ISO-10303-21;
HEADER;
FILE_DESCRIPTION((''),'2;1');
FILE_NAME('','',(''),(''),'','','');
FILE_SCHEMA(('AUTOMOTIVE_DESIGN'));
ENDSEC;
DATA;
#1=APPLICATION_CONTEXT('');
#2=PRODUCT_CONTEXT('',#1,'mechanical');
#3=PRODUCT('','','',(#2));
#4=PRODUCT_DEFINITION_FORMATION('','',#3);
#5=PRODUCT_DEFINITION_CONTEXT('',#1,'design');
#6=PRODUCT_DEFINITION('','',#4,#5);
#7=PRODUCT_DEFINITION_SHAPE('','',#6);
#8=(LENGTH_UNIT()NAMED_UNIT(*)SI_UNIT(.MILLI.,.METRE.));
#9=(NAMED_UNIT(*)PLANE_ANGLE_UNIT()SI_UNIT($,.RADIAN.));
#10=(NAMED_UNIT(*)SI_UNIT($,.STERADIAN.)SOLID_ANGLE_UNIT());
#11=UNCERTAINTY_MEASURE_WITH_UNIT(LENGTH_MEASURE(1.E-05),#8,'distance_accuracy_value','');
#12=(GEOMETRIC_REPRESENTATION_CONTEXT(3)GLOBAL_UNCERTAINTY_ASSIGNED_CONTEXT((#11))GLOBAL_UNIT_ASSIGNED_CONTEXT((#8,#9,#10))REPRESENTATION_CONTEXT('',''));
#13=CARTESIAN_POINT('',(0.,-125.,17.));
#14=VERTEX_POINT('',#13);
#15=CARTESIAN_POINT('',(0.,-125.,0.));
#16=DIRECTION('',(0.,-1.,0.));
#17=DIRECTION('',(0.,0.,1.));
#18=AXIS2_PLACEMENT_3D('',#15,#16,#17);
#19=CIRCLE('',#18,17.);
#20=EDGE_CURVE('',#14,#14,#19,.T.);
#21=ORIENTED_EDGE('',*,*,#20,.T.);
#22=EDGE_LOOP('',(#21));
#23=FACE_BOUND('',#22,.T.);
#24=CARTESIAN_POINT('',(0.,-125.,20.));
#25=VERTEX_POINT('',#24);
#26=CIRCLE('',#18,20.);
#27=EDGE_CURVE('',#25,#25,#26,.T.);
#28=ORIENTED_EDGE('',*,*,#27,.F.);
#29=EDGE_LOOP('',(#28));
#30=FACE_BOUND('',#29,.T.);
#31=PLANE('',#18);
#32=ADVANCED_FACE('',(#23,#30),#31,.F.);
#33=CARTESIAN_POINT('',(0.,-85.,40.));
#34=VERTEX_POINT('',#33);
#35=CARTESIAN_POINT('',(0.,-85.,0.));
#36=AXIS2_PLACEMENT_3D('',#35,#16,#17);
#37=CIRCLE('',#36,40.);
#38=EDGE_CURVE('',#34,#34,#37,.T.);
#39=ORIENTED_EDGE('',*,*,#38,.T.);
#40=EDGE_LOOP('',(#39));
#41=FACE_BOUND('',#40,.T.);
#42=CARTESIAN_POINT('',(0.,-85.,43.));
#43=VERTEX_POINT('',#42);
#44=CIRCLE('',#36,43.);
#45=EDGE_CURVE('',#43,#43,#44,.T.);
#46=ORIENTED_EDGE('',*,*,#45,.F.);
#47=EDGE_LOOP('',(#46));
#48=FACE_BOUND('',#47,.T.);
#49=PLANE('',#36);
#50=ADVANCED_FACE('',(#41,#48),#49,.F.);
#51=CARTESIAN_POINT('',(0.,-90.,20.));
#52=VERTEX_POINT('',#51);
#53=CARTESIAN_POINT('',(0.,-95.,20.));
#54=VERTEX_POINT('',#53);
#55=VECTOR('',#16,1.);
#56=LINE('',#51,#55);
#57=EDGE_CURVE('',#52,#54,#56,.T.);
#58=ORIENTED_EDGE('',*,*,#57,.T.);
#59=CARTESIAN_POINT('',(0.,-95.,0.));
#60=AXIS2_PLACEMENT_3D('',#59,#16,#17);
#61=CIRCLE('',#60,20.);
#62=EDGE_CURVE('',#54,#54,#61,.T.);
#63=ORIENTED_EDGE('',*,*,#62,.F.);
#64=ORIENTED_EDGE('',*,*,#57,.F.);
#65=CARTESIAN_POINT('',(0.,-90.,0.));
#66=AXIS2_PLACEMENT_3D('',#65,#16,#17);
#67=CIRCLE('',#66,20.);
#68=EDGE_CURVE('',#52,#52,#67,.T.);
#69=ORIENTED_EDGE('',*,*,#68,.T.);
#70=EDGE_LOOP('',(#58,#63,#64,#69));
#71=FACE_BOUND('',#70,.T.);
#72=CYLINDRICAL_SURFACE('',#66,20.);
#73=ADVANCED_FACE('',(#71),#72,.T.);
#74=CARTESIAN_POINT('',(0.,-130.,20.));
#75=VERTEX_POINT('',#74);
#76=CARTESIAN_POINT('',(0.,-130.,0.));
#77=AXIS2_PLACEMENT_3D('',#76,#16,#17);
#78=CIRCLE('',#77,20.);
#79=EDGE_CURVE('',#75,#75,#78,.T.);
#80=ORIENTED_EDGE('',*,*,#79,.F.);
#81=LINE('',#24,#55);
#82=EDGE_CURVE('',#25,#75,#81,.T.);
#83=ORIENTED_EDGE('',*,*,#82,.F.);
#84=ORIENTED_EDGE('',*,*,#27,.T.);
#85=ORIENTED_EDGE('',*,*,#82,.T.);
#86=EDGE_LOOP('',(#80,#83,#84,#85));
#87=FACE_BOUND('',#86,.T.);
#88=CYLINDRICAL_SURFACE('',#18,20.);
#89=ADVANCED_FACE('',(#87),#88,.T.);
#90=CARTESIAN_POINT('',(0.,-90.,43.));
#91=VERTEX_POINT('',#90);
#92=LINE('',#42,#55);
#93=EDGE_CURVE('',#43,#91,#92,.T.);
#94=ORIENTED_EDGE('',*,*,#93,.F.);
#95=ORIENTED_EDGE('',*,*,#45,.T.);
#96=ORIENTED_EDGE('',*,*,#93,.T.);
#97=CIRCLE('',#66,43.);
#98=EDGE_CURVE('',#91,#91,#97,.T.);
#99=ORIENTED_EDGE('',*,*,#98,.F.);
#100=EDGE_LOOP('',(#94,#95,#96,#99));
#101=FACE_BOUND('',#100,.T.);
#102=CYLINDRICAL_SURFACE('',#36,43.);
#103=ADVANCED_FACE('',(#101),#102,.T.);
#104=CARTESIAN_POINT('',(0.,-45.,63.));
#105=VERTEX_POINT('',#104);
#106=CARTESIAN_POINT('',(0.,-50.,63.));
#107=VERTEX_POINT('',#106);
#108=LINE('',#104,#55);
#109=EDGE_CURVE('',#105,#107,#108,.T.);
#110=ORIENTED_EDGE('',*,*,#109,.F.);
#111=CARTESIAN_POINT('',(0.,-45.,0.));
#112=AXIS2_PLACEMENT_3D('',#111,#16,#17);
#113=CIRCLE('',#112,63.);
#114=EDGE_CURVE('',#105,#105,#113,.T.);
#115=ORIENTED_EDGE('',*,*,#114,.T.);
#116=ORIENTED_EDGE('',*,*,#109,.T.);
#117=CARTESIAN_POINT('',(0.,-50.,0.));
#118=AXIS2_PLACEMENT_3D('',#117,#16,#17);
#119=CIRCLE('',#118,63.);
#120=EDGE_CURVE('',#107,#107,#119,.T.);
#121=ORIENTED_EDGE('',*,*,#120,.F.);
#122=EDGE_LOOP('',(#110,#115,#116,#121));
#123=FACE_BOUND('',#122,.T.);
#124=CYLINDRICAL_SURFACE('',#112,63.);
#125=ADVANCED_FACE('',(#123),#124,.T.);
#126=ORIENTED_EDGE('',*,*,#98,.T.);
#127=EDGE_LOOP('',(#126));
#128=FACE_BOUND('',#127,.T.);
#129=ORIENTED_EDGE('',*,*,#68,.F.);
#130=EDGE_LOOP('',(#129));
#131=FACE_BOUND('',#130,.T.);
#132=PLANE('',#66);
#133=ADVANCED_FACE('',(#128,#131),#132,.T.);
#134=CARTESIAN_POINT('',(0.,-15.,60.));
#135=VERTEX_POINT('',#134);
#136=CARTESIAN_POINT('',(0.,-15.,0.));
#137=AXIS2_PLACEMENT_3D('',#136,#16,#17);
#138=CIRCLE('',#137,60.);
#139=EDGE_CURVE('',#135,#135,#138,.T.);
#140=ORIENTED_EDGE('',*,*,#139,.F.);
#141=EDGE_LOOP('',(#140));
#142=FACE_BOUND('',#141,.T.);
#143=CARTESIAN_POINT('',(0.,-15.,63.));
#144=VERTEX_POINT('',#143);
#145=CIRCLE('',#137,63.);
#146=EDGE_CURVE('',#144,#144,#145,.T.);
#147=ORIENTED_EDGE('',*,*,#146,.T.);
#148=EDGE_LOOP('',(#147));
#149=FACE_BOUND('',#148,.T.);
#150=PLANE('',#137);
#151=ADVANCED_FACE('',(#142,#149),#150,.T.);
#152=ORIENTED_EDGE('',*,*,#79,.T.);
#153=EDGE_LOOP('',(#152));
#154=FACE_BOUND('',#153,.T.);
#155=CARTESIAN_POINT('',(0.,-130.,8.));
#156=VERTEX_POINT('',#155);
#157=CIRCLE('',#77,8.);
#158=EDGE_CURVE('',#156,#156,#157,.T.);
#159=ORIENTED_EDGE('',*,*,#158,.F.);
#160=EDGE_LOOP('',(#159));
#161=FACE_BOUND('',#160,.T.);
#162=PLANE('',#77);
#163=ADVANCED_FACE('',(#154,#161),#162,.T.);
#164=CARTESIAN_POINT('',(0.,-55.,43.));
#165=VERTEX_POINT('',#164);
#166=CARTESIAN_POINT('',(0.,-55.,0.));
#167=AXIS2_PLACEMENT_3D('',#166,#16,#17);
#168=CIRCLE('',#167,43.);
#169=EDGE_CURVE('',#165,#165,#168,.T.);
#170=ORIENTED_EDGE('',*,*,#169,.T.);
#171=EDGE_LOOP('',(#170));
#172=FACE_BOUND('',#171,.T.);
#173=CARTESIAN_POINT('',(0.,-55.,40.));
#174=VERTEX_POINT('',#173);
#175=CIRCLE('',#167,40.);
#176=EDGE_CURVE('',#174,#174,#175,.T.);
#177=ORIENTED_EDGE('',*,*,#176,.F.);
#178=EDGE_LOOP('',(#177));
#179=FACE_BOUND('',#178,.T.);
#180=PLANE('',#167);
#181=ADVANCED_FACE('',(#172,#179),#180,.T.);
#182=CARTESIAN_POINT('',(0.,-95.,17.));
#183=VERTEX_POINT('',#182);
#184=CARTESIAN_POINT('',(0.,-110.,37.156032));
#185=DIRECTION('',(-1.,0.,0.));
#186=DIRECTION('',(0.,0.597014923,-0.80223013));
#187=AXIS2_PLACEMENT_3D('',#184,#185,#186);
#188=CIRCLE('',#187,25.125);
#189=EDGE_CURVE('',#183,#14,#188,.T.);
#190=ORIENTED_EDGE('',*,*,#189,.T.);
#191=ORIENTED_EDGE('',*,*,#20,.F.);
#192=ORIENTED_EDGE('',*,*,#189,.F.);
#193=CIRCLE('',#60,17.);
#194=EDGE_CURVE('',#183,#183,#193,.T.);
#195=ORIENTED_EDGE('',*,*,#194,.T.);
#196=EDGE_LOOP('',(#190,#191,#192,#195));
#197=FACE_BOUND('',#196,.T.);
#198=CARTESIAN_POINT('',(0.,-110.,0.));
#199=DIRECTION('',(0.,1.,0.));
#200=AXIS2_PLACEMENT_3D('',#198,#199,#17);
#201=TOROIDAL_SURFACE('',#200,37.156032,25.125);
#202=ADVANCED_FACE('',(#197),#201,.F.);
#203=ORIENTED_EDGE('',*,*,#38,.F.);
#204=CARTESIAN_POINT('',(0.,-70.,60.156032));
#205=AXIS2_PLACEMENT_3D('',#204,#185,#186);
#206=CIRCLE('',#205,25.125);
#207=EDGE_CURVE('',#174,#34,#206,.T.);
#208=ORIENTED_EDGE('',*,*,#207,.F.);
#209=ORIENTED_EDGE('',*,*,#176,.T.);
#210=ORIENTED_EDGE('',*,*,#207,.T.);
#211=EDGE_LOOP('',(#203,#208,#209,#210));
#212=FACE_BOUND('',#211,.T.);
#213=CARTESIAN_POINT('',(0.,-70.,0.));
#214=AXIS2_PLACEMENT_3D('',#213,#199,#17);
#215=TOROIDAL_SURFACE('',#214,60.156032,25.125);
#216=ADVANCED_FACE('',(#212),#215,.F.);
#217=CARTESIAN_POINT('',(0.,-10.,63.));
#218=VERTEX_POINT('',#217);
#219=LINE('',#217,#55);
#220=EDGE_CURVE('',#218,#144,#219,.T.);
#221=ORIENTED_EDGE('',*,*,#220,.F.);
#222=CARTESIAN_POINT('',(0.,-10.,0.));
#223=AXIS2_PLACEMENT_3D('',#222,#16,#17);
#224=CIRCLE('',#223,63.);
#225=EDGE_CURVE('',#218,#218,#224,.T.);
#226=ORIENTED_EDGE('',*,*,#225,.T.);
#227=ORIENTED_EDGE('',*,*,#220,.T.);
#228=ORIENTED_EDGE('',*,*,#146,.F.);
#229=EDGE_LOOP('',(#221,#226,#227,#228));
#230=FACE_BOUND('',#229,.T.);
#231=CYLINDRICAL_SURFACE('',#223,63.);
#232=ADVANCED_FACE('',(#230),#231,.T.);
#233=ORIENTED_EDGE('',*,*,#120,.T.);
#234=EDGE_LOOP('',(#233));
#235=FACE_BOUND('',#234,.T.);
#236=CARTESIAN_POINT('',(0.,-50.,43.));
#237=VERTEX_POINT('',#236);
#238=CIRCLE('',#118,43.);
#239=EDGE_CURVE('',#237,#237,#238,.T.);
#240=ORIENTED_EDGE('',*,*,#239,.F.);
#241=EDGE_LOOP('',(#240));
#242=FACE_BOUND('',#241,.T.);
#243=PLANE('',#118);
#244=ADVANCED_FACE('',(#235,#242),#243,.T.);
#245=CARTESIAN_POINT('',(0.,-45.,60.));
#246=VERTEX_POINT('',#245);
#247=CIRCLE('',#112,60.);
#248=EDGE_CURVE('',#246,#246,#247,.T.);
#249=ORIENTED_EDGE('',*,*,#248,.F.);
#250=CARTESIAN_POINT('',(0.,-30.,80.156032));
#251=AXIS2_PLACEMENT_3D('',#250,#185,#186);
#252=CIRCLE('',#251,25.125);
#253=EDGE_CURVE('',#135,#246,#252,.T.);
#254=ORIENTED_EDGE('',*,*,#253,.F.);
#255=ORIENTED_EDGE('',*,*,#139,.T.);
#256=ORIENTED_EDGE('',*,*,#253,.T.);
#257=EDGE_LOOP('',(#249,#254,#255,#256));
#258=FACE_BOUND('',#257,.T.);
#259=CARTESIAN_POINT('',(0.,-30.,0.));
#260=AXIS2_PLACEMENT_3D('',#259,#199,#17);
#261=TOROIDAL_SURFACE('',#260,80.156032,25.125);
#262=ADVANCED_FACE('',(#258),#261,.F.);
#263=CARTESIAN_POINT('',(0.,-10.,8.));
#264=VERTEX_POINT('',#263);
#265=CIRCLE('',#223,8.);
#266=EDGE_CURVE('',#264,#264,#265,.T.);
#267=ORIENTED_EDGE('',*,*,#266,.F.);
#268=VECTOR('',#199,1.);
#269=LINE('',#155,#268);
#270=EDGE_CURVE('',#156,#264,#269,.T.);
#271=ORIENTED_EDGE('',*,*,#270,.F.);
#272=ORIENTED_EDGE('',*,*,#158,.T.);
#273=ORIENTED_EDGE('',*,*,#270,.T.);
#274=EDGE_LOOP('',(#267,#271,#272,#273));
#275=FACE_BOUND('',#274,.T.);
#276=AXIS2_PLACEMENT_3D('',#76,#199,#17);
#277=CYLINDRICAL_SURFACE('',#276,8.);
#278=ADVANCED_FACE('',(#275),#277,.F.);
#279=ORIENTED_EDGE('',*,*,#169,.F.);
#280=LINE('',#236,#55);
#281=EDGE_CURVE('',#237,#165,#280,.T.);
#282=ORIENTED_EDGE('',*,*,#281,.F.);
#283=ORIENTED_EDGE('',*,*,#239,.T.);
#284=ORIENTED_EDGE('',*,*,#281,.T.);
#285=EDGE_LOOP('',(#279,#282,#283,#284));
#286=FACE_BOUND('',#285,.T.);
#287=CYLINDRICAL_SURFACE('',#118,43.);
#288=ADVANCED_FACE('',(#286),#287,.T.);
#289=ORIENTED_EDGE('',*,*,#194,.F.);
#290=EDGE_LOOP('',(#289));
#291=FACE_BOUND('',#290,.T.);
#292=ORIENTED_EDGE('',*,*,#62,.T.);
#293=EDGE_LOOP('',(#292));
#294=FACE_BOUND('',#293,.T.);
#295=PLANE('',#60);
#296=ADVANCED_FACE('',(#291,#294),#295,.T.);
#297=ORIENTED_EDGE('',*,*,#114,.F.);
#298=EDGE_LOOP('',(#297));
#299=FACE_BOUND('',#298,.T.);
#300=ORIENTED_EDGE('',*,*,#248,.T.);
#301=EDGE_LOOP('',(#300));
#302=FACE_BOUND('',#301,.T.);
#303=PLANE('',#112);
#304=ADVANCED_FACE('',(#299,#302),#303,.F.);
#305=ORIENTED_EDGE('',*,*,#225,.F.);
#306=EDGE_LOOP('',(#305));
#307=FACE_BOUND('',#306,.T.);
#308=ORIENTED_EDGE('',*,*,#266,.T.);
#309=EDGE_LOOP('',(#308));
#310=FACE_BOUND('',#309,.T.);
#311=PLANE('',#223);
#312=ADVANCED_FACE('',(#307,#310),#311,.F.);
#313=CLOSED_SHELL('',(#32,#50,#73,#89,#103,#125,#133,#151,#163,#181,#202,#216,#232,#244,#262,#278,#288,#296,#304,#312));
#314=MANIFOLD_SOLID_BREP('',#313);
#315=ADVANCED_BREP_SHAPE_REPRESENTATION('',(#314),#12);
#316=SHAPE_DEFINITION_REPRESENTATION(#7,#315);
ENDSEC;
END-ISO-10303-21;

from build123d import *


with BuildPart() as f1:
    # F0 (on Right) → F1 (revolve)
    with BuildSketch(Plane.YZ):
        Polygon((-15, 60), (-15, 8), (-10, 8), (-10, 63), (-15, 63), align=None)
        with BuildLine():
            Line((-45, 60), (-45, 8))
            Line((-45, 8), (-15, 8))
            Line((-15, 8), (-15, 60))
            ThreePointArc((-15, 60), (-30, 55.031032), (-45, 60))
        make_face()
        Polygon((-50, 8), (-45, 8), (-45, 60), (-45, 63), (-50, 63), (-50, 43), align=None)
        Polygon((-55, 8), (-50, 8), (-50, 43), (-55, 43), (-55, 40), align=None)
        with BuildLine():
            Line((-85, 8), (-55, 8))
            Line((-55, 8), (-55, 40))
            ThreePointArc((-55, 40), (-70, 35.031032), (-85, 40))
            Line((-85, 40), (-85, 8))
        make_face()
        Polygon((-90, 8), (-85, 8), (-85, 40), (-85, 43), (-90, 43), (-90, 20), align=None)
        Polygon((-95, 8), (-90, 8), (-90, 20), (-95, 20), (-95, 17), align=None)
        with BuildLine():
            Line((-125, 8), (-95, 8))
            Line((-95, 8), (-95, 17))
            ThreePointArc((-95, 17), (-110, 12.031032), (-125, 17))
            Line((-125, 17), (-125, 8))
        make_face()
        Polygon((-130, 8), (-125, 8), (-125, 17), (-125, 20), (-130, 20), align=None)
    revolve(axis=Axis((0, 30, 0), (0, -1, 0)))


solid = f1.part
